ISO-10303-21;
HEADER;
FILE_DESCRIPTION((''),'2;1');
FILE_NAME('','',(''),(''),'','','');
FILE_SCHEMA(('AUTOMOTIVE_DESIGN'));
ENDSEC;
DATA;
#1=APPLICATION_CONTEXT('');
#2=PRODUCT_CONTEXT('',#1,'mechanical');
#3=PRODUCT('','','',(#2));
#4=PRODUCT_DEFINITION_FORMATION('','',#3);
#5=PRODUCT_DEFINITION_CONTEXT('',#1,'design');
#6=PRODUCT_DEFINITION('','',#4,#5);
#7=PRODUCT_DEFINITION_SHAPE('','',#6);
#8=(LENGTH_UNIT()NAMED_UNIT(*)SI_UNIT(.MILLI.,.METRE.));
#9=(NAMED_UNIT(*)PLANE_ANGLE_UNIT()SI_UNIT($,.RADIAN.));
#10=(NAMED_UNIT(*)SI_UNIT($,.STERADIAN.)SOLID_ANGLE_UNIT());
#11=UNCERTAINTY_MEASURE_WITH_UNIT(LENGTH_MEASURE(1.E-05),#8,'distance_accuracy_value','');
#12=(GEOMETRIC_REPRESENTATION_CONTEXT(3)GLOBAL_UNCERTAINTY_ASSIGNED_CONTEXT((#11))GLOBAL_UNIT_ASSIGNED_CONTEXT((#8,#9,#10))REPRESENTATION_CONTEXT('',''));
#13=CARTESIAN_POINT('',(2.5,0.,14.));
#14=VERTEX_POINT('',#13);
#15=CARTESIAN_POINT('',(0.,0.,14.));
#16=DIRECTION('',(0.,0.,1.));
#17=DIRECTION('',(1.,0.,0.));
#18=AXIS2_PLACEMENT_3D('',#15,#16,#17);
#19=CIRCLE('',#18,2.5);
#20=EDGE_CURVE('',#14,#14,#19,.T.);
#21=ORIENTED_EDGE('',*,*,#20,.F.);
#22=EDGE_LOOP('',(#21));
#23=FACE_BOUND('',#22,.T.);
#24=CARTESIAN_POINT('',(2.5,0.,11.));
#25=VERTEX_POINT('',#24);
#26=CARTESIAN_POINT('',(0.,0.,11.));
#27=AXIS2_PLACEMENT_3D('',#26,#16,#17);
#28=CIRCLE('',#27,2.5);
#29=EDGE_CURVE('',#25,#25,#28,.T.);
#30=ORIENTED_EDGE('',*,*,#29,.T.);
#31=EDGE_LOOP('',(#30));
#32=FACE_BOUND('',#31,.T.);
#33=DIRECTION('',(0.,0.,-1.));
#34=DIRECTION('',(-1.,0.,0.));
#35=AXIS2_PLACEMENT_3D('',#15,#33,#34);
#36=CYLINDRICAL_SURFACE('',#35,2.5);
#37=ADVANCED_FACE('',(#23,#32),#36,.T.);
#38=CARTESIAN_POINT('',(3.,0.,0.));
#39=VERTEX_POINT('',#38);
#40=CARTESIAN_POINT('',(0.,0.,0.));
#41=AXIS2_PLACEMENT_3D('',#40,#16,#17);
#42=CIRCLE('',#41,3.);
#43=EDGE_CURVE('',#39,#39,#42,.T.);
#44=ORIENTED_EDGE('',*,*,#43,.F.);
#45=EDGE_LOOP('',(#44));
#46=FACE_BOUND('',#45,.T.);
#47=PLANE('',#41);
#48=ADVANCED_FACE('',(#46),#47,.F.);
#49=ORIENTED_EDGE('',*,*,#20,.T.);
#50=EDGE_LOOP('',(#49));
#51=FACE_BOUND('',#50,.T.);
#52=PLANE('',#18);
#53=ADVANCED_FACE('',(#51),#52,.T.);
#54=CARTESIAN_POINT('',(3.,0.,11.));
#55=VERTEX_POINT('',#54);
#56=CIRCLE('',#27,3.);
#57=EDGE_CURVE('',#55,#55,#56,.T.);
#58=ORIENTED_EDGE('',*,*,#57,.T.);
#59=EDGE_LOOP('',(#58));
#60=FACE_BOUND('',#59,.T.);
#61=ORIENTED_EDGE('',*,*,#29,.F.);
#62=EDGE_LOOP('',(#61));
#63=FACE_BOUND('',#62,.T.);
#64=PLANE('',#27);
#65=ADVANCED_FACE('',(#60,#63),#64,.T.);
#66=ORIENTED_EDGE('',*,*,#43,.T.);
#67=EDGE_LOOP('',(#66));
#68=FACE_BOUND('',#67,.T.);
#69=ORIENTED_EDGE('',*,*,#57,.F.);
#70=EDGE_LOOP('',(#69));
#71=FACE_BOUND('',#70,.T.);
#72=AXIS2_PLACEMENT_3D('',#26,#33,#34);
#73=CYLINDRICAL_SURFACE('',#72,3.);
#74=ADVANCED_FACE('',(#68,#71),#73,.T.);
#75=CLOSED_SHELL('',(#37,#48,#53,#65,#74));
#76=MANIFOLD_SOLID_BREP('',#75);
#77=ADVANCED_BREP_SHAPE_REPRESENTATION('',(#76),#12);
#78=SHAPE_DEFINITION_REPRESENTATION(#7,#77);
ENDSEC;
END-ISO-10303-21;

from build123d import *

# Parameters (mm, degrees)
SCHIZZO1_R                   = 3
ESTRUSIONE_ESTRUSIONE1_DEPTH = 11
SCHIZZO2_R                   = 2.5
ESTRUSIONE_ESTRUSIONE2_DEPTH = 3


with BuildPart() as part:
    # Schizzo1 → Estrusione-Estrusione1 (new body)
    with BuildSketch(Plane.XY):
        Circle(SCHIZZO1_R)
    extrude(amount=ESTRUSIONE_ESTRUSIONE1_DEPTH)

    # Schizzo2 → Estrusione-Estrusione2 (add)
    with BuildSketch(Plane.XY.offset(11)):
        Circle(SCHIZZO2_R)
    extrude(amount=ESTRUSIONE_ESTRUSIONE2_DEPTH)


solid = part.part
